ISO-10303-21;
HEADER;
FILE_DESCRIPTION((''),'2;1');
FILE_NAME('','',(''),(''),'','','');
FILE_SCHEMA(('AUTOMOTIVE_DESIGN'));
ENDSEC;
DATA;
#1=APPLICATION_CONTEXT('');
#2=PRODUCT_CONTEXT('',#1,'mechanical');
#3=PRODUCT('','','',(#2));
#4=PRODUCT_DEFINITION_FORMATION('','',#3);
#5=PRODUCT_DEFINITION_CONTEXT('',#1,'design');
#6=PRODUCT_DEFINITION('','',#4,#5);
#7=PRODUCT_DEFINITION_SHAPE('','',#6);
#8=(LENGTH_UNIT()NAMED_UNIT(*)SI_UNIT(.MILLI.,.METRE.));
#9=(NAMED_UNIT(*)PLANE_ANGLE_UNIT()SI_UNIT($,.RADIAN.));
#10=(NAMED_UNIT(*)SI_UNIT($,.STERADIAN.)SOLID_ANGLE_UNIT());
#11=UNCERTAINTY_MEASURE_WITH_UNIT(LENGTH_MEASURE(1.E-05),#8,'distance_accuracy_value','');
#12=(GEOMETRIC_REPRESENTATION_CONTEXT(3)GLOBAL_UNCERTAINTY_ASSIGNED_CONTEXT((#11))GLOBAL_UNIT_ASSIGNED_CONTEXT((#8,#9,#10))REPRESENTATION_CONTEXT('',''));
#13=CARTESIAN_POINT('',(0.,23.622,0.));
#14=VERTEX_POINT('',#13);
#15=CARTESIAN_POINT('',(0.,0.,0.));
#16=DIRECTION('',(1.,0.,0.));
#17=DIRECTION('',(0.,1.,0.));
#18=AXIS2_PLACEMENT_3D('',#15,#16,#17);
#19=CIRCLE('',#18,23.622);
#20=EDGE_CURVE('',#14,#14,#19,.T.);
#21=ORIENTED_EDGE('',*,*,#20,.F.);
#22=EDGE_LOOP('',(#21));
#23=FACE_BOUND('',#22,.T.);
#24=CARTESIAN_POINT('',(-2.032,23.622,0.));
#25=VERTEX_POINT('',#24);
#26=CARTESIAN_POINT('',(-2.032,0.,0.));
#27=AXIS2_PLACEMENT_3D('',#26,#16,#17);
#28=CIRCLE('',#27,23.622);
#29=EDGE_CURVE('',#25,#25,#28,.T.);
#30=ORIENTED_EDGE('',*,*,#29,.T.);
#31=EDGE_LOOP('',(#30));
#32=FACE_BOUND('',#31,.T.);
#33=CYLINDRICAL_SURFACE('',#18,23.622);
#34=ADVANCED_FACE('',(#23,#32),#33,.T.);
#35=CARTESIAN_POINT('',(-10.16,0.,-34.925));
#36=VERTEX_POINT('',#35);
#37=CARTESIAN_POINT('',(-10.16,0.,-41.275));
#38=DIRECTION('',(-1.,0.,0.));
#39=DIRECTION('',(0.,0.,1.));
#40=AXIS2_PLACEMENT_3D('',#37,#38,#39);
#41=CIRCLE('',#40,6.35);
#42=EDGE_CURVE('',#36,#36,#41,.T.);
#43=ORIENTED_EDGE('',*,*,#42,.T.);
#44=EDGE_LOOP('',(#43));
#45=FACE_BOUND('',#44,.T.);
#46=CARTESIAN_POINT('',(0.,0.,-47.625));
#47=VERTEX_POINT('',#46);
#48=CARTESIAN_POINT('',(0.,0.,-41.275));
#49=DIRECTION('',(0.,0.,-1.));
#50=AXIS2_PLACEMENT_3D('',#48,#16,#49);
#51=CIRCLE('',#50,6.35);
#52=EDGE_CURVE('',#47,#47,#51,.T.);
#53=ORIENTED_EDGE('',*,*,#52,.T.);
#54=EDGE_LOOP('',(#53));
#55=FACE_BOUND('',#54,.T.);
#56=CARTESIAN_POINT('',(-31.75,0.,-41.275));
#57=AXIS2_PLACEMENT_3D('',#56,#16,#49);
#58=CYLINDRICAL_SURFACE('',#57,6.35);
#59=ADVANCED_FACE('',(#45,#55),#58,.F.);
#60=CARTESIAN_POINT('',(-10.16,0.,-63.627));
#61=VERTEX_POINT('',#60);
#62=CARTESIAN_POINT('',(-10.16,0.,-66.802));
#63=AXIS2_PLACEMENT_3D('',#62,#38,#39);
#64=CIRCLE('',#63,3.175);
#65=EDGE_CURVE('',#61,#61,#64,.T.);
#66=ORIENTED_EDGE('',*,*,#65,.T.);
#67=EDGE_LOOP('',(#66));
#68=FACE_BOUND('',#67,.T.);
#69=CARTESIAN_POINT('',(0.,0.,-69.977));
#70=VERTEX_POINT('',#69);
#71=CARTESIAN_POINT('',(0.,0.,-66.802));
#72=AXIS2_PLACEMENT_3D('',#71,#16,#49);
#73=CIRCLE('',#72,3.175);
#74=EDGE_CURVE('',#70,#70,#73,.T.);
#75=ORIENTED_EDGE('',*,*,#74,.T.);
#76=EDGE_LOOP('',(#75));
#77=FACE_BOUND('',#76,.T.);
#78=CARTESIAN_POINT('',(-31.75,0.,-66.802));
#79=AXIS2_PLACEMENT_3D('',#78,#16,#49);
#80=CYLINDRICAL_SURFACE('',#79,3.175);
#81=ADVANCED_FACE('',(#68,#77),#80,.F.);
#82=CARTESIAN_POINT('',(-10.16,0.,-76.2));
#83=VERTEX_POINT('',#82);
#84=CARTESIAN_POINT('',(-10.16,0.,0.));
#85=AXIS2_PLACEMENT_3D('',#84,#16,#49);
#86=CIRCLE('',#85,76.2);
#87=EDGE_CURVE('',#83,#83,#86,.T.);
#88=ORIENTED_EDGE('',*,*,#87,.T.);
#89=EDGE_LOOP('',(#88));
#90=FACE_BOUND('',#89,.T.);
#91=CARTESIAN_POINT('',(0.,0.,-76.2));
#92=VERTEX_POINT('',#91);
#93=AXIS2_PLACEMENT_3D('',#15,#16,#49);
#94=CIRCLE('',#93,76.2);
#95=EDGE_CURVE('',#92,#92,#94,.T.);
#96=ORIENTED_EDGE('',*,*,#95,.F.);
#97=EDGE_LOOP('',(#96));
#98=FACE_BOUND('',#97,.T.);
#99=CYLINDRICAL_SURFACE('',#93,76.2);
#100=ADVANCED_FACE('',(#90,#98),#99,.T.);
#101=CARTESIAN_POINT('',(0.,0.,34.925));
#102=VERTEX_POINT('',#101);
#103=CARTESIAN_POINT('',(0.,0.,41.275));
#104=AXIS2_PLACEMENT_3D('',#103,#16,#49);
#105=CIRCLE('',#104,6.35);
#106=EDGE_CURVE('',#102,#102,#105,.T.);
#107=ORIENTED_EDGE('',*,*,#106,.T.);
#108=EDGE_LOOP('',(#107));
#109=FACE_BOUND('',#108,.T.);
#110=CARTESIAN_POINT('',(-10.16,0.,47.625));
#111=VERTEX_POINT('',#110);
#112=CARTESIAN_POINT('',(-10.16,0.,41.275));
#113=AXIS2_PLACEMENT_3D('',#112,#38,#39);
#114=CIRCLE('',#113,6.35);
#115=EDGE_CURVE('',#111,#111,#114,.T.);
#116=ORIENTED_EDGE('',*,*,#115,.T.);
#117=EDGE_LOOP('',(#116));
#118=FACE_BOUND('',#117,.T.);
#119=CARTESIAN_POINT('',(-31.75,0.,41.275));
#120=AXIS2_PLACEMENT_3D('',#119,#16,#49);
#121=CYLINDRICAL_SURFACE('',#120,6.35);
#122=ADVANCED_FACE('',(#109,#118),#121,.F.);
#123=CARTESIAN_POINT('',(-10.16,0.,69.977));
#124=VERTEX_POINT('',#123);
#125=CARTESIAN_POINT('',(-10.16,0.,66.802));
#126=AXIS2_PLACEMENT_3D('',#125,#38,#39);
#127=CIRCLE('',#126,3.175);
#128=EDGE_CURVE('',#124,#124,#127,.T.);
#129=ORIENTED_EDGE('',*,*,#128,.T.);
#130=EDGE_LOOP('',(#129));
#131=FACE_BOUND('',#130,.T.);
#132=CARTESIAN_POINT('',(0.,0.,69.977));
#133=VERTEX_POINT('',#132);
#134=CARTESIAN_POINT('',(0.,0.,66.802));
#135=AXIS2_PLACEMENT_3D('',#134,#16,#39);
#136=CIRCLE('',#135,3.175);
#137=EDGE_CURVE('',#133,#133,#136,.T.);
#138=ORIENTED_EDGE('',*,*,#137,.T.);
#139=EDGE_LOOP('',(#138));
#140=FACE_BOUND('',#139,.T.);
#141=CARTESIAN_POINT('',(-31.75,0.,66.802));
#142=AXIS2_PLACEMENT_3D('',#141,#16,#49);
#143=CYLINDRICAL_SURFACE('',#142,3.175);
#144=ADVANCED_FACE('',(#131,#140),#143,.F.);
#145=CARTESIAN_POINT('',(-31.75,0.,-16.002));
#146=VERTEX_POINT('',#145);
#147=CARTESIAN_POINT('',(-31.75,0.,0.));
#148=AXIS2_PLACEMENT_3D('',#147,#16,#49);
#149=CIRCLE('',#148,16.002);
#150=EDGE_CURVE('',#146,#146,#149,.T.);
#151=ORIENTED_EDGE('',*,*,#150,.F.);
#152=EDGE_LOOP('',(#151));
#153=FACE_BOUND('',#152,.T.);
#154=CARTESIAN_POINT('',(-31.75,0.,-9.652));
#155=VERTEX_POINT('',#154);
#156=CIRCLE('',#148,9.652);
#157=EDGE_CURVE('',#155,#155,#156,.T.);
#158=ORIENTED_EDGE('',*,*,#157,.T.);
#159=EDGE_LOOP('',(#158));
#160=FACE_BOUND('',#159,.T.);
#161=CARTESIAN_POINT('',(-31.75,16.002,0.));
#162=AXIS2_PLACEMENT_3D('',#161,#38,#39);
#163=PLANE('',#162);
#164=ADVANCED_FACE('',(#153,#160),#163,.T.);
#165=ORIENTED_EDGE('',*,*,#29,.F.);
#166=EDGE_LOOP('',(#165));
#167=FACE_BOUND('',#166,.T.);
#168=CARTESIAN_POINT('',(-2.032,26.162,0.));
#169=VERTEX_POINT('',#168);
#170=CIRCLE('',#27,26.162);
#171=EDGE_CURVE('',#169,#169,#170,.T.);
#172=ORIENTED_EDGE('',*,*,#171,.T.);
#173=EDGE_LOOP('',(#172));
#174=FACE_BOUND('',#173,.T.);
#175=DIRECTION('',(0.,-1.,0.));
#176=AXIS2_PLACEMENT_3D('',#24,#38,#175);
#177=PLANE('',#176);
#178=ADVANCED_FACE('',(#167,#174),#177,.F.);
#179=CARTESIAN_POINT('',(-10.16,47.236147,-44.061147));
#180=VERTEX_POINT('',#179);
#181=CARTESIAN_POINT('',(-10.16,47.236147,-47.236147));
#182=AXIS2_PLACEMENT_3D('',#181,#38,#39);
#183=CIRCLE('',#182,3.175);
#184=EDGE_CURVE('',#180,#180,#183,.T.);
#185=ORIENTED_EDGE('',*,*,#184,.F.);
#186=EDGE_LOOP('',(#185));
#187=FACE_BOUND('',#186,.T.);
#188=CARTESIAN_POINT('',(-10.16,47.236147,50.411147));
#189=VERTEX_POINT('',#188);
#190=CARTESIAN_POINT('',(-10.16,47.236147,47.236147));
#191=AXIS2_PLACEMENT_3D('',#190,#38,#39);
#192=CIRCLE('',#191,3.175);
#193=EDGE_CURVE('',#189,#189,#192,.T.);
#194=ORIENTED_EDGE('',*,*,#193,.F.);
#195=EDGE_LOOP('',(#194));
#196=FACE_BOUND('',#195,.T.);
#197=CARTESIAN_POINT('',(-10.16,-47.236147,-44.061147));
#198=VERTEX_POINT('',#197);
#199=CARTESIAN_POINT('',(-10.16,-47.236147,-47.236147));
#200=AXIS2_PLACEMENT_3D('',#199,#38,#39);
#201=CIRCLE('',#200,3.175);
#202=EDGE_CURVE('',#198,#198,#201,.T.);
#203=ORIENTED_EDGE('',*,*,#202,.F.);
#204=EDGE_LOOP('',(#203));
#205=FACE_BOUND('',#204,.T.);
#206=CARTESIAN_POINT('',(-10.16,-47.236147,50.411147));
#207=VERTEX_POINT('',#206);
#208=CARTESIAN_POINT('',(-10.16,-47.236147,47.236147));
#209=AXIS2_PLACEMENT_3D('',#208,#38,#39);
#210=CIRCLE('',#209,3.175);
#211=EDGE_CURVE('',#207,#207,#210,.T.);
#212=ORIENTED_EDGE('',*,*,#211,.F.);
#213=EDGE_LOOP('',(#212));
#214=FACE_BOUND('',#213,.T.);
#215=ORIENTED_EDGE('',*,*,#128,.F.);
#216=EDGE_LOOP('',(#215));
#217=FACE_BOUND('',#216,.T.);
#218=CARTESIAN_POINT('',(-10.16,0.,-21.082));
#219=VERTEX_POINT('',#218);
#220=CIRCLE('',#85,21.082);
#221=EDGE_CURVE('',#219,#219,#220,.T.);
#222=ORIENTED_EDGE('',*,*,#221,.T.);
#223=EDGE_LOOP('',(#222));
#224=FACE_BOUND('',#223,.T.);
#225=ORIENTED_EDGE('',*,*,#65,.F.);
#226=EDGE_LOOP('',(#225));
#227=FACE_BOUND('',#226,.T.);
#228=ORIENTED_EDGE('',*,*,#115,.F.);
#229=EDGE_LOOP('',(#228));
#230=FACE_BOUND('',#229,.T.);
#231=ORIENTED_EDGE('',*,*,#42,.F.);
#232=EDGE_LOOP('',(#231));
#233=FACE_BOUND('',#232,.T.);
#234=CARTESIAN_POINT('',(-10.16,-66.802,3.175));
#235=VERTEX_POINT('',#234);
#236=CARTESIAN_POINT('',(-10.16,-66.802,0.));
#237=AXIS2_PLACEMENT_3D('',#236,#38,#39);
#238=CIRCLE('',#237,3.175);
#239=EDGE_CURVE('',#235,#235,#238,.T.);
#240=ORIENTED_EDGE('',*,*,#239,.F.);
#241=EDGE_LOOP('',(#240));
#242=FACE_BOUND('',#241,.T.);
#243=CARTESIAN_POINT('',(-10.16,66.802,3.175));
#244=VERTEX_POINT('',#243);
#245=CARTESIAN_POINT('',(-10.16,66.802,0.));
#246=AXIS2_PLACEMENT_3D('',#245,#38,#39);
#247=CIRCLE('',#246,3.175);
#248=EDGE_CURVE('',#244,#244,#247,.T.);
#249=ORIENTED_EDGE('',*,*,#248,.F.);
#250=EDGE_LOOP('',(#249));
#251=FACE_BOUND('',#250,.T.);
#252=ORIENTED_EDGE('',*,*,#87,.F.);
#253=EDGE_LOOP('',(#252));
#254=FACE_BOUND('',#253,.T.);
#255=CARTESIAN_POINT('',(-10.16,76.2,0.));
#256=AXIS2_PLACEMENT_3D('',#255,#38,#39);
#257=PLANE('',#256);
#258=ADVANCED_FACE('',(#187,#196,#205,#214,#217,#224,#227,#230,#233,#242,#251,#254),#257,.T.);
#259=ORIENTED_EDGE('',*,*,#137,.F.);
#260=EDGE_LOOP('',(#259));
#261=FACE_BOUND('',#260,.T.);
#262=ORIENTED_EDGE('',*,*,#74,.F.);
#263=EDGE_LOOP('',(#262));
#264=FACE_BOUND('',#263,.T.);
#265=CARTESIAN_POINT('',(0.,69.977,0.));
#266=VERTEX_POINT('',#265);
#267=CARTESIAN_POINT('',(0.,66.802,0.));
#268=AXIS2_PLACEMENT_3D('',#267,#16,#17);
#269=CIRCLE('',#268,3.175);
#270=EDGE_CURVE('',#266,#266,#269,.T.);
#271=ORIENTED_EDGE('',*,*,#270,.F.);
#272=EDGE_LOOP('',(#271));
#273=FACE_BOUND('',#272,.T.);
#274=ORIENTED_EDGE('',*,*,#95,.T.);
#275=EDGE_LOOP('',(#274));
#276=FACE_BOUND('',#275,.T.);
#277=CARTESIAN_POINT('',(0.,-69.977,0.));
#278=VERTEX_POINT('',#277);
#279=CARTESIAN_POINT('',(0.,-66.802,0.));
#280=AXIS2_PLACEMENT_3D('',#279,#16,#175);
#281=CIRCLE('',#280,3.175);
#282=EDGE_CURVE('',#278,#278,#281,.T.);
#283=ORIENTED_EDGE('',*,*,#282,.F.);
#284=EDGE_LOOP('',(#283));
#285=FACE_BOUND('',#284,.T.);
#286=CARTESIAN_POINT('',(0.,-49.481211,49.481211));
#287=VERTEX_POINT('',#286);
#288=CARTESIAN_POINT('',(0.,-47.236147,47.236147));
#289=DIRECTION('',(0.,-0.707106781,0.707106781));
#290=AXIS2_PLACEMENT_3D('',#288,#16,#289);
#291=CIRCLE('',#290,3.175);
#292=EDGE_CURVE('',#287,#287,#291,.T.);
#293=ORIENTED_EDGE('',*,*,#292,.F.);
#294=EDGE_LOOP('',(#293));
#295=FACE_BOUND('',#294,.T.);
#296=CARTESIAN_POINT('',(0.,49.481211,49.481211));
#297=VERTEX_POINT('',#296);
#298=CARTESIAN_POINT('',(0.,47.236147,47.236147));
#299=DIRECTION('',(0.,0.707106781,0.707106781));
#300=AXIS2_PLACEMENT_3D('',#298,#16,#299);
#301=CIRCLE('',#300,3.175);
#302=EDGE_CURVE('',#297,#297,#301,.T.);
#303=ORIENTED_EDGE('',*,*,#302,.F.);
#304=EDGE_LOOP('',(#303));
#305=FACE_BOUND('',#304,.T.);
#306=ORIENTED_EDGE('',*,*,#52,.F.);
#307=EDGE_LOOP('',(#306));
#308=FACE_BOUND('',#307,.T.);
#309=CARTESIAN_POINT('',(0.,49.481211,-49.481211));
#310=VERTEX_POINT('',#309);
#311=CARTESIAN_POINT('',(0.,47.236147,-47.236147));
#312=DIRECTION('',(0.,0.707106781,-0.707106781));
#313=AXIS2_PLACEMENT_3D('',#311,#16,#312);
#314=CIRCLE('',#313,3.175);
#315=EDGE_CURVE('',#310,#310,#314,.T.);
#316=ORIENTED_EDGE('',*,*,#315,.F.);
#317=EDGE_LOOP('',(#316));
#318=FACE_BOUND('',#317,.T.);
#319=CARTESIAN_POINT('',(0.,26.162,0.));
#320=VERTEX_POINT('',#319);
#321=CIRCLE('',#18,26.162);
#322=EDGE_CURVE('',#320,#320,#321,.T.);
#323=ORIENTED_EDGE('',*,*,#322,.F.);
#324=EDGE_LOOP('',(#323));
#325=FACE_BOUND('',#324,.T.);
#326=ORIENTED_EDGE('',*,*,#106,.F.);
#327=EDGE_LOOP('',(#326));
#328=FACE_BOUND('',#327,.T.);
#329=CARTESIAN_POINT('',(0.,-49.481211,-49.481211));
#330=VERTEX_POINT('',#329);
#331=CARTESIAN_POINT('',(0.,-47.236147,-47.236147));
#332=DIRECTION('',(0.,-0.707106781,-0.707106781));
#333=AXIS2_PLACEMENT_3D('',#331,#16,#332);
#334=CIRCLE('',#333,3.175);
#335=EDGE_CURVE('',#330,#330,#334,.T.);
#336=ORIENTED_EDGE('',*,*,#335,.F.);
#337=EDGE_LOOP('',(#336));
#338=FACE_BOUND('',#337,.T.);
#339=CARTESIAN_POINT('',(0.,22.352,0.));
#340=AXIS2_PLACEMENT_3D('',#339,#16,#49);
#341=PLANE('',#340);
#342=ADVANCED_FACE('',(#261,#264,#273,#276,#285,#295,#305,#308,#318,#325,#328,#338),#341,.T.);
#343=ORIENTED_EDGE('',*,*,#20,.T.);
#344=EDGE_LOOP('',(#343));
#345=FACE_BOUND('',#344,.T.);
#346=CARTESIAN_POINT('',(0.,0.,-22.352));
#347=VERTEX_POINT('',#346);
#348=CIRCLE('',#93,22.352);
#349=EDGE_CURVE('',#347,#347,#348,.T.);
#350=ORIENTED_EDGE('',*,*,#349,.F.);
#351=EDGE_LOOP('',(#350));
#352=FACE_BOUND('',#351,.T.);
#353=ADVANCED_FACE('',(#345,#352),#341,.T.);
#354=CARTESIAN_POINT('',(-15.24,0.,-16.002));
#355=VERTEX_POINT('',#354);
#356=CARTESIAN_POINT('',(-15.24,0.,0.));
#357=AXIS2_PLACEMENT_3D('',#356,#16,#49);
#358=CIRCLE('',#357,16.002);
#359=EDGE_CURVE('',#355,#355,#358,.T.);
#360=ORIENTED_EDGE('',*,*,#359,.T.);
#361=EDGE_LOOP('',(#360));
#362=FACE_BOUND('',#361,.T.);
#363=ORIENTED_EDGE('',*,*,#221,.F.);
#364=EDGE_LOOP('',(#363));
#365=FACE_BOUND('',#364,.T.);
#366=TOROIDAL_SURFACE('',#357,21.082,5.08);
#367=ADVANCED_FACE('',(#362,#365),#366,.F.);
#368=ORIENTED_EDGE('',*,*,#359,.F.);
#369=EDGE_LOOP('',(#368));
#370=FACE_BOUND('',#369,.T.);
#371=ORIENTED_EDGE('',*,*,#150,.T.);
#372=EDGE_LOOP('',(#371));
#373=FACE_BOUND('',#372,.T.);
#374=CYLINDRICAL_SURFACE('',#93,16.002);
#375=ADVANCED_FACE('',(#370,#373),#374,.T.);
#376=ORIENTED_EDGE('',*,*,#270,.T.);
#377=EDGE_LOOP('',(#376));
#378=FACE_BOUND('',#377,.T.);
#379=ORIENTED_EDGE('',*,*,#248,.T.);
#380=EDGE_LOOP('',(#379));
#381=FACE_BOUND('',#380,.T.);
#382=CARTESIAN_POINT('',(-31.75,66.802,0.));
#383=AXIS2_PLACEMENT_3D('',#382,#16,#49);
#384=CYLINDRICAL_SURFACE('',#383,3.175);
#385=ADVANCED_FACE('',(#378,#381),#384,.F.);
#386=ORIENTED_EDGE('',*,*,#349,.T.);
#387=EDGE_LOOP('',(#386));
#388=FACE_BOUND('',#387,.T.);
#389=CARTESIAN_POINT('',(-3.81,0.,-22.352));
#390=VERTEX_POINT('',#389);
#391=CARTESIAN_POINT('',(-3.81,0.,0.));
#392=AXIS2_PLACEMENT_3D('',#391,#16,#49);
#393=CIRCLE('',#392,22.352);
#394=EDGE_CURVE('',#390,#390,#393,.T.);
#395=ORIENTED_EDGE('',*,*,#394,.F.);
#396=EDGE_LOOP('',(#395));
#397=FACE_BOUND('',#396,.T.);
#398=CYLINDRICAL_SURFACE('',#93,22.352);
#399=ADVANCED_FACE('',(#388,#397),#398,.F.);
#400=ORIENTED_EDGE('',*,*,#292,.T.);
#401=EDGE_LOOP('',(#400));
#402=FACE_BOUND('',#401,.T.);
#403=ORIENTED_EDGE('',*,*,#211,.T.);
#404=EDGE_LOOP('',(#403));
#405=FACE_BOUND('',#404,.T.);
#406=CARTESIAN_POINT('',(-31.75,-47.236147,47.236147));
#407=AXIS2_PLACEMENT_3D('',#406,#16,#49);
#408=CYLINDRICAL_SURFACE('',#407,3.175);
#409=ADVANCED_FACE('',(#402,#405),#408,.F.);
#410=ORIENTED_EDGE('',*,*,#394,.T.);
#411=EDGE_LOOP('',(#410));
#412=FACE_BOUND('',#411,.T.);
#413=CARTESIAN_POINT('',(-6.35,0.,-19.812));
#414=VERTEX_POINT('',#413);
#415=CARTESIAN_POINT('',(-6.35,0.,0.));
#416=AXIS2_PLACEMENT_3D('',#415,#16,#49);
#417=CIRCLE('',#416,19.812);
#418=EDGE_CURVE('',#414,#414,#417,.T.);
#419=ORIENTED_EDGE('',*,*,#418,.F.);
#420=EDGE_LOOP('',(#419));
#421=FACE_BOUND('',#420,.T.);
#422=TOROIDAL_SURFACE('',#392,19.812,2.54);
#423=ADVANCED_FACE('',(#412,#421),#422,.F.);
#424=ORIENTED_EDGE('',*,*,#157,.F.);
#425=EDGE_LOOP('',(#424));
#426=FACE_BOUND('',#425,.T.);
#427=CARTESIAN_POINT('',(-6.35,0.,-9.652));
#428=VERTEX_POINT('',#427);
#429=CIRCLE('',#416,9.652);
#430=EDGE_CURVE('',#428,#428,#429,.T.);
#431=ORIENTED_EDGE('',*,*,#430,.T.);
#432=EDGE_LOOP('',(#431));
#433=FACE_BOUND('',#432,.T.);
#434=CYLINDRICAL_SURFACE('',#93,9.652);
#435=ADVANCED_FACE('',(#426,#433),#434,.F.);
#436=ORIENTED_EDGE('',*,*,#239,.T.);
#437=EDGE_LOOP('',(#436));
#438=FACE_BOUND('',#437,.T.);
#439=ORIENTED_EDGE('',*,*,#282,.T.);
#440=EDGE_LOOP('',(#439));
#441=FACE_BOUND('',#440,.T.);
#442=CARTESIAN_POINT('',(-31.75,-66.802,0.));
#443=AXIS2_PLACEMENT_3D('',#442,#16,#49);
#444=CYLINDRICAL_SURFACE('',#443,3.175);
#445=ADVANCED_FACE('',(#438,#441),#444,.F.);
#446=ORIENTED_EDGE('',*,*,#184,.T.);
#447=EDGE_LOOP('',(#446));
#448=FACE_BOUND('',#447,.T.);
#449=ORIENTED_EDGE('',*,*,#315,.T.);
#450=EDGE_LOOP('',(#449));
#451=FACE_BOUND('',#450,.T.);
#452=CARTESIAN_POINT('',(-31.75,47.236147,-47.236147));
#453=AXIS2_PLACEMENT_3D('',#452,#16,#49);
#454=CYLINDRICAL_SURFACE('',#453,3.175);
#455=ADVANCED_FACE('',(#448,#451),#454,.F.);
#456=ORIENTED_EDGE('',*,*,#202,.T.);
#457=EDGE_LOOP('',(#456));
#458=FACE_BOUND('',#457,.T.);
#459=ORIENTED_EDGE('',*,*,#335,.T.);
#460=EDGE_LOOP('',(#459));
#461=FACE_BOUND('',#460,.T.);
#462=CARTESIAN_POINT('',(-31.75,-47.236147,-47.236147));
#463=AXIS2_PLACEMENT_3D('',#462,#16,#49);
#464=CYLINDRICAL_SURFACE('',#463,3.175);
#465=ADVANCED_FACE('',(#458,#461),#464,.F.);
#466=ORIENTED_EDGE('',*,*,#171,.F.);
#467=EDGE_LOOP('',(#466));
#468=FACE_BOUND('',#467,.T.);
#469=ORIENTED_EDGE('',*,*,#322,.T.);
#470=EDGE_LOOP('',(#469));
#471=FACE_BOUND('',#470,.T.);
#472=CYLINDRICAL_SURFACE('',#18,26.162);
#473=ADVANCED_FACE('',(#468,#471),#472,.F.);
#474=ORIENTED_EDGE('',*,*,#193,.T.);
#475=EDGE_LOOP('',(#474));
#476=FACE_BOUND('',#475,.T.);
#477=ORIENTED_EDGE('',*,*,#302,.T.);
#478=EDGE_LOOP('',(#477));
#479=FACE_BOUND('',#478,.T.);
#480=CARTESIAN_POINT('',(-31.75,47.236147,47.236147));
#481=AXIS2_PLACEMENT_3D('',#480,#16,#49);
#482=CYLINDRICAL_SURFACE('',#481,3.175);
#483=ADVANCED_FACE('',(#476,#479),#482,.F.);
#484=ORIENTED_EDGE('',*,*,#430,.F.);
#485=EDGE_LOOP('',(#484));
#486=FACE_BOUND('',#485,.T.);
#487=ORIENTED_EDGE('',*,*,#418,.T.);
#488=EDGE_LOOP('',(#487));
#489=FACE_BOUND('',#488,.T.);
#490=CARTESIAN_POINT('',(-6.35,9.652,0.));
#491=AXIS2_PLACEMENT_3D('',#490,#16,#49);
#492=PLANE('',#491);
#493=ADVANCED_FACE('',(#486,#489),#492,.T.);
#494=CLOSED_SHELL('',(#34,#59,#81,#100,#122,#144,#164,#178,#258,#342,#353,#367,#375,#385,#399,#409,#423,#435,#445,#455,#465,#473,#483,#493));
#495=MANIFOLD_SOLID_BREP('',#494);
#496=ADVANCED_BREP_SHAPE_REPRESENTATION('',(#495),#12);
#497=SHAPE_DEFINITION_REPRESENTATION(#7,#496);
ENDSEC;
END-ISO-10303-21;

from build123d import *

# Parameters (mm, degrees)
CUT_EXTRUDE1_DEPTH      = 113.342968182
CUT_EXTRUDE1_DEPTH_BACK = 113.342968182
SKETCH2_R               = 6.35
SKETCH3_R               = 3.175
CUT_EXTRUDE2_DEPTH      = 113.342968182
CIRPATTERN1_COUNT       = 8
SKETCH4_W               = 2.032
SKETCH4_H               = 2.54


with BuildPart() as part:
    # Sketch1 → Revolve1 (revolve)
    with BuildSketch(Plane.XY, mode=Mode.PRIVATE) as revolve1_sk:
        with BuildLine():
            Line((0, 76.2), (-10.16, 76.2))
            Line((-10.16, 76.2), (-10.16, 21.082))
            ThreePointArc((-10.16, 21.082), (-11.647897552, 17.489897552), (-15.24, 16.002))
            Line((-15.24, 16.002), (-31.75, 16.002))
            Line((-31.75, 16.002), (-31.75, 9.652))
            Line((-31.75, 9.652), (-6.35, 9.652))
            Line((-6.35, 9.652), (-6.35, 19.812))
            ThreePointArc((-6.35, 19.812), (-5.606051224, 21.608051224), (-3.81, 22.352))
            Line((-3.81, 22.352), (0, 22.352))
            Line((0, 22.352), (0, 76.2))
        make_face()
    revolve(revolve1_sk.sketch.rotate(Axis((0, 0, 0), (-1, 0, 0)), 90), axis=Axis((0, 0, 0), (-1, 0, 0)))

    # Sketch2 → Cut-Extrude1 (cut, two sides: drawn at the far end of the back side and taken through both)
    with BuildSketch(Plane(origin=(0, 0, 0), x_dir=(0, 0, -1), z_dir=(1, 0, 0)).offset(-CUT_EXTRUDE1_DEPTH_BACK)):
        with Locations((41.275, 0)):
            Circle(SKETCH2_R)
        with Locations((-41.275, 0)):
            Circle(SKETCH2_R)
    extrude(amount=CUT_EXTRUDE1_DEPTH + CUT_EXTRUDE1_DEPTH_BACK, mode=Mode.SUBTRACT)

    # Sketch3 → Cut-Extrude2 (cut, through all)
    with BuildSketch(Plane(origin=(0, 0, 0), x_dir=(0, 0, -1), z_dir=(1, 0, 0))):
        with Locations((66.802, 0)):
            Circle(SKETCH3_R)
    cut_extrude2 = extrude(amount=-CUT_EXTRUDE2_DEPTH, mode=Mode.SUBTRACT)

    # CirPattern1: Cut-Extrude2 ×8 about axis
    cirpattern1_axis = Axis((0, 0, 0), (1, 0, 0))
    for i in range(1, CIRPATTERN1_COUNT):
        add(cut_extrude2.rotate(cirpattern1_axis, i * 360 / CIRPATTERN1_COUNT), mode=Mode.SUBTRACT)

    # Sketch4 → Cut-Revolve1 (revolve, cut)
    with BuildSketch(Plane.XY):
        with Locations((-1.016, 24.892)):
            Rectangle(SKETCH4_W, SKETCH4_H)
    revolve(axis=Axis((0, 0, 0), (-1, 0, 0)), mode=Mode.SUBTRACT)


solid = part.part
